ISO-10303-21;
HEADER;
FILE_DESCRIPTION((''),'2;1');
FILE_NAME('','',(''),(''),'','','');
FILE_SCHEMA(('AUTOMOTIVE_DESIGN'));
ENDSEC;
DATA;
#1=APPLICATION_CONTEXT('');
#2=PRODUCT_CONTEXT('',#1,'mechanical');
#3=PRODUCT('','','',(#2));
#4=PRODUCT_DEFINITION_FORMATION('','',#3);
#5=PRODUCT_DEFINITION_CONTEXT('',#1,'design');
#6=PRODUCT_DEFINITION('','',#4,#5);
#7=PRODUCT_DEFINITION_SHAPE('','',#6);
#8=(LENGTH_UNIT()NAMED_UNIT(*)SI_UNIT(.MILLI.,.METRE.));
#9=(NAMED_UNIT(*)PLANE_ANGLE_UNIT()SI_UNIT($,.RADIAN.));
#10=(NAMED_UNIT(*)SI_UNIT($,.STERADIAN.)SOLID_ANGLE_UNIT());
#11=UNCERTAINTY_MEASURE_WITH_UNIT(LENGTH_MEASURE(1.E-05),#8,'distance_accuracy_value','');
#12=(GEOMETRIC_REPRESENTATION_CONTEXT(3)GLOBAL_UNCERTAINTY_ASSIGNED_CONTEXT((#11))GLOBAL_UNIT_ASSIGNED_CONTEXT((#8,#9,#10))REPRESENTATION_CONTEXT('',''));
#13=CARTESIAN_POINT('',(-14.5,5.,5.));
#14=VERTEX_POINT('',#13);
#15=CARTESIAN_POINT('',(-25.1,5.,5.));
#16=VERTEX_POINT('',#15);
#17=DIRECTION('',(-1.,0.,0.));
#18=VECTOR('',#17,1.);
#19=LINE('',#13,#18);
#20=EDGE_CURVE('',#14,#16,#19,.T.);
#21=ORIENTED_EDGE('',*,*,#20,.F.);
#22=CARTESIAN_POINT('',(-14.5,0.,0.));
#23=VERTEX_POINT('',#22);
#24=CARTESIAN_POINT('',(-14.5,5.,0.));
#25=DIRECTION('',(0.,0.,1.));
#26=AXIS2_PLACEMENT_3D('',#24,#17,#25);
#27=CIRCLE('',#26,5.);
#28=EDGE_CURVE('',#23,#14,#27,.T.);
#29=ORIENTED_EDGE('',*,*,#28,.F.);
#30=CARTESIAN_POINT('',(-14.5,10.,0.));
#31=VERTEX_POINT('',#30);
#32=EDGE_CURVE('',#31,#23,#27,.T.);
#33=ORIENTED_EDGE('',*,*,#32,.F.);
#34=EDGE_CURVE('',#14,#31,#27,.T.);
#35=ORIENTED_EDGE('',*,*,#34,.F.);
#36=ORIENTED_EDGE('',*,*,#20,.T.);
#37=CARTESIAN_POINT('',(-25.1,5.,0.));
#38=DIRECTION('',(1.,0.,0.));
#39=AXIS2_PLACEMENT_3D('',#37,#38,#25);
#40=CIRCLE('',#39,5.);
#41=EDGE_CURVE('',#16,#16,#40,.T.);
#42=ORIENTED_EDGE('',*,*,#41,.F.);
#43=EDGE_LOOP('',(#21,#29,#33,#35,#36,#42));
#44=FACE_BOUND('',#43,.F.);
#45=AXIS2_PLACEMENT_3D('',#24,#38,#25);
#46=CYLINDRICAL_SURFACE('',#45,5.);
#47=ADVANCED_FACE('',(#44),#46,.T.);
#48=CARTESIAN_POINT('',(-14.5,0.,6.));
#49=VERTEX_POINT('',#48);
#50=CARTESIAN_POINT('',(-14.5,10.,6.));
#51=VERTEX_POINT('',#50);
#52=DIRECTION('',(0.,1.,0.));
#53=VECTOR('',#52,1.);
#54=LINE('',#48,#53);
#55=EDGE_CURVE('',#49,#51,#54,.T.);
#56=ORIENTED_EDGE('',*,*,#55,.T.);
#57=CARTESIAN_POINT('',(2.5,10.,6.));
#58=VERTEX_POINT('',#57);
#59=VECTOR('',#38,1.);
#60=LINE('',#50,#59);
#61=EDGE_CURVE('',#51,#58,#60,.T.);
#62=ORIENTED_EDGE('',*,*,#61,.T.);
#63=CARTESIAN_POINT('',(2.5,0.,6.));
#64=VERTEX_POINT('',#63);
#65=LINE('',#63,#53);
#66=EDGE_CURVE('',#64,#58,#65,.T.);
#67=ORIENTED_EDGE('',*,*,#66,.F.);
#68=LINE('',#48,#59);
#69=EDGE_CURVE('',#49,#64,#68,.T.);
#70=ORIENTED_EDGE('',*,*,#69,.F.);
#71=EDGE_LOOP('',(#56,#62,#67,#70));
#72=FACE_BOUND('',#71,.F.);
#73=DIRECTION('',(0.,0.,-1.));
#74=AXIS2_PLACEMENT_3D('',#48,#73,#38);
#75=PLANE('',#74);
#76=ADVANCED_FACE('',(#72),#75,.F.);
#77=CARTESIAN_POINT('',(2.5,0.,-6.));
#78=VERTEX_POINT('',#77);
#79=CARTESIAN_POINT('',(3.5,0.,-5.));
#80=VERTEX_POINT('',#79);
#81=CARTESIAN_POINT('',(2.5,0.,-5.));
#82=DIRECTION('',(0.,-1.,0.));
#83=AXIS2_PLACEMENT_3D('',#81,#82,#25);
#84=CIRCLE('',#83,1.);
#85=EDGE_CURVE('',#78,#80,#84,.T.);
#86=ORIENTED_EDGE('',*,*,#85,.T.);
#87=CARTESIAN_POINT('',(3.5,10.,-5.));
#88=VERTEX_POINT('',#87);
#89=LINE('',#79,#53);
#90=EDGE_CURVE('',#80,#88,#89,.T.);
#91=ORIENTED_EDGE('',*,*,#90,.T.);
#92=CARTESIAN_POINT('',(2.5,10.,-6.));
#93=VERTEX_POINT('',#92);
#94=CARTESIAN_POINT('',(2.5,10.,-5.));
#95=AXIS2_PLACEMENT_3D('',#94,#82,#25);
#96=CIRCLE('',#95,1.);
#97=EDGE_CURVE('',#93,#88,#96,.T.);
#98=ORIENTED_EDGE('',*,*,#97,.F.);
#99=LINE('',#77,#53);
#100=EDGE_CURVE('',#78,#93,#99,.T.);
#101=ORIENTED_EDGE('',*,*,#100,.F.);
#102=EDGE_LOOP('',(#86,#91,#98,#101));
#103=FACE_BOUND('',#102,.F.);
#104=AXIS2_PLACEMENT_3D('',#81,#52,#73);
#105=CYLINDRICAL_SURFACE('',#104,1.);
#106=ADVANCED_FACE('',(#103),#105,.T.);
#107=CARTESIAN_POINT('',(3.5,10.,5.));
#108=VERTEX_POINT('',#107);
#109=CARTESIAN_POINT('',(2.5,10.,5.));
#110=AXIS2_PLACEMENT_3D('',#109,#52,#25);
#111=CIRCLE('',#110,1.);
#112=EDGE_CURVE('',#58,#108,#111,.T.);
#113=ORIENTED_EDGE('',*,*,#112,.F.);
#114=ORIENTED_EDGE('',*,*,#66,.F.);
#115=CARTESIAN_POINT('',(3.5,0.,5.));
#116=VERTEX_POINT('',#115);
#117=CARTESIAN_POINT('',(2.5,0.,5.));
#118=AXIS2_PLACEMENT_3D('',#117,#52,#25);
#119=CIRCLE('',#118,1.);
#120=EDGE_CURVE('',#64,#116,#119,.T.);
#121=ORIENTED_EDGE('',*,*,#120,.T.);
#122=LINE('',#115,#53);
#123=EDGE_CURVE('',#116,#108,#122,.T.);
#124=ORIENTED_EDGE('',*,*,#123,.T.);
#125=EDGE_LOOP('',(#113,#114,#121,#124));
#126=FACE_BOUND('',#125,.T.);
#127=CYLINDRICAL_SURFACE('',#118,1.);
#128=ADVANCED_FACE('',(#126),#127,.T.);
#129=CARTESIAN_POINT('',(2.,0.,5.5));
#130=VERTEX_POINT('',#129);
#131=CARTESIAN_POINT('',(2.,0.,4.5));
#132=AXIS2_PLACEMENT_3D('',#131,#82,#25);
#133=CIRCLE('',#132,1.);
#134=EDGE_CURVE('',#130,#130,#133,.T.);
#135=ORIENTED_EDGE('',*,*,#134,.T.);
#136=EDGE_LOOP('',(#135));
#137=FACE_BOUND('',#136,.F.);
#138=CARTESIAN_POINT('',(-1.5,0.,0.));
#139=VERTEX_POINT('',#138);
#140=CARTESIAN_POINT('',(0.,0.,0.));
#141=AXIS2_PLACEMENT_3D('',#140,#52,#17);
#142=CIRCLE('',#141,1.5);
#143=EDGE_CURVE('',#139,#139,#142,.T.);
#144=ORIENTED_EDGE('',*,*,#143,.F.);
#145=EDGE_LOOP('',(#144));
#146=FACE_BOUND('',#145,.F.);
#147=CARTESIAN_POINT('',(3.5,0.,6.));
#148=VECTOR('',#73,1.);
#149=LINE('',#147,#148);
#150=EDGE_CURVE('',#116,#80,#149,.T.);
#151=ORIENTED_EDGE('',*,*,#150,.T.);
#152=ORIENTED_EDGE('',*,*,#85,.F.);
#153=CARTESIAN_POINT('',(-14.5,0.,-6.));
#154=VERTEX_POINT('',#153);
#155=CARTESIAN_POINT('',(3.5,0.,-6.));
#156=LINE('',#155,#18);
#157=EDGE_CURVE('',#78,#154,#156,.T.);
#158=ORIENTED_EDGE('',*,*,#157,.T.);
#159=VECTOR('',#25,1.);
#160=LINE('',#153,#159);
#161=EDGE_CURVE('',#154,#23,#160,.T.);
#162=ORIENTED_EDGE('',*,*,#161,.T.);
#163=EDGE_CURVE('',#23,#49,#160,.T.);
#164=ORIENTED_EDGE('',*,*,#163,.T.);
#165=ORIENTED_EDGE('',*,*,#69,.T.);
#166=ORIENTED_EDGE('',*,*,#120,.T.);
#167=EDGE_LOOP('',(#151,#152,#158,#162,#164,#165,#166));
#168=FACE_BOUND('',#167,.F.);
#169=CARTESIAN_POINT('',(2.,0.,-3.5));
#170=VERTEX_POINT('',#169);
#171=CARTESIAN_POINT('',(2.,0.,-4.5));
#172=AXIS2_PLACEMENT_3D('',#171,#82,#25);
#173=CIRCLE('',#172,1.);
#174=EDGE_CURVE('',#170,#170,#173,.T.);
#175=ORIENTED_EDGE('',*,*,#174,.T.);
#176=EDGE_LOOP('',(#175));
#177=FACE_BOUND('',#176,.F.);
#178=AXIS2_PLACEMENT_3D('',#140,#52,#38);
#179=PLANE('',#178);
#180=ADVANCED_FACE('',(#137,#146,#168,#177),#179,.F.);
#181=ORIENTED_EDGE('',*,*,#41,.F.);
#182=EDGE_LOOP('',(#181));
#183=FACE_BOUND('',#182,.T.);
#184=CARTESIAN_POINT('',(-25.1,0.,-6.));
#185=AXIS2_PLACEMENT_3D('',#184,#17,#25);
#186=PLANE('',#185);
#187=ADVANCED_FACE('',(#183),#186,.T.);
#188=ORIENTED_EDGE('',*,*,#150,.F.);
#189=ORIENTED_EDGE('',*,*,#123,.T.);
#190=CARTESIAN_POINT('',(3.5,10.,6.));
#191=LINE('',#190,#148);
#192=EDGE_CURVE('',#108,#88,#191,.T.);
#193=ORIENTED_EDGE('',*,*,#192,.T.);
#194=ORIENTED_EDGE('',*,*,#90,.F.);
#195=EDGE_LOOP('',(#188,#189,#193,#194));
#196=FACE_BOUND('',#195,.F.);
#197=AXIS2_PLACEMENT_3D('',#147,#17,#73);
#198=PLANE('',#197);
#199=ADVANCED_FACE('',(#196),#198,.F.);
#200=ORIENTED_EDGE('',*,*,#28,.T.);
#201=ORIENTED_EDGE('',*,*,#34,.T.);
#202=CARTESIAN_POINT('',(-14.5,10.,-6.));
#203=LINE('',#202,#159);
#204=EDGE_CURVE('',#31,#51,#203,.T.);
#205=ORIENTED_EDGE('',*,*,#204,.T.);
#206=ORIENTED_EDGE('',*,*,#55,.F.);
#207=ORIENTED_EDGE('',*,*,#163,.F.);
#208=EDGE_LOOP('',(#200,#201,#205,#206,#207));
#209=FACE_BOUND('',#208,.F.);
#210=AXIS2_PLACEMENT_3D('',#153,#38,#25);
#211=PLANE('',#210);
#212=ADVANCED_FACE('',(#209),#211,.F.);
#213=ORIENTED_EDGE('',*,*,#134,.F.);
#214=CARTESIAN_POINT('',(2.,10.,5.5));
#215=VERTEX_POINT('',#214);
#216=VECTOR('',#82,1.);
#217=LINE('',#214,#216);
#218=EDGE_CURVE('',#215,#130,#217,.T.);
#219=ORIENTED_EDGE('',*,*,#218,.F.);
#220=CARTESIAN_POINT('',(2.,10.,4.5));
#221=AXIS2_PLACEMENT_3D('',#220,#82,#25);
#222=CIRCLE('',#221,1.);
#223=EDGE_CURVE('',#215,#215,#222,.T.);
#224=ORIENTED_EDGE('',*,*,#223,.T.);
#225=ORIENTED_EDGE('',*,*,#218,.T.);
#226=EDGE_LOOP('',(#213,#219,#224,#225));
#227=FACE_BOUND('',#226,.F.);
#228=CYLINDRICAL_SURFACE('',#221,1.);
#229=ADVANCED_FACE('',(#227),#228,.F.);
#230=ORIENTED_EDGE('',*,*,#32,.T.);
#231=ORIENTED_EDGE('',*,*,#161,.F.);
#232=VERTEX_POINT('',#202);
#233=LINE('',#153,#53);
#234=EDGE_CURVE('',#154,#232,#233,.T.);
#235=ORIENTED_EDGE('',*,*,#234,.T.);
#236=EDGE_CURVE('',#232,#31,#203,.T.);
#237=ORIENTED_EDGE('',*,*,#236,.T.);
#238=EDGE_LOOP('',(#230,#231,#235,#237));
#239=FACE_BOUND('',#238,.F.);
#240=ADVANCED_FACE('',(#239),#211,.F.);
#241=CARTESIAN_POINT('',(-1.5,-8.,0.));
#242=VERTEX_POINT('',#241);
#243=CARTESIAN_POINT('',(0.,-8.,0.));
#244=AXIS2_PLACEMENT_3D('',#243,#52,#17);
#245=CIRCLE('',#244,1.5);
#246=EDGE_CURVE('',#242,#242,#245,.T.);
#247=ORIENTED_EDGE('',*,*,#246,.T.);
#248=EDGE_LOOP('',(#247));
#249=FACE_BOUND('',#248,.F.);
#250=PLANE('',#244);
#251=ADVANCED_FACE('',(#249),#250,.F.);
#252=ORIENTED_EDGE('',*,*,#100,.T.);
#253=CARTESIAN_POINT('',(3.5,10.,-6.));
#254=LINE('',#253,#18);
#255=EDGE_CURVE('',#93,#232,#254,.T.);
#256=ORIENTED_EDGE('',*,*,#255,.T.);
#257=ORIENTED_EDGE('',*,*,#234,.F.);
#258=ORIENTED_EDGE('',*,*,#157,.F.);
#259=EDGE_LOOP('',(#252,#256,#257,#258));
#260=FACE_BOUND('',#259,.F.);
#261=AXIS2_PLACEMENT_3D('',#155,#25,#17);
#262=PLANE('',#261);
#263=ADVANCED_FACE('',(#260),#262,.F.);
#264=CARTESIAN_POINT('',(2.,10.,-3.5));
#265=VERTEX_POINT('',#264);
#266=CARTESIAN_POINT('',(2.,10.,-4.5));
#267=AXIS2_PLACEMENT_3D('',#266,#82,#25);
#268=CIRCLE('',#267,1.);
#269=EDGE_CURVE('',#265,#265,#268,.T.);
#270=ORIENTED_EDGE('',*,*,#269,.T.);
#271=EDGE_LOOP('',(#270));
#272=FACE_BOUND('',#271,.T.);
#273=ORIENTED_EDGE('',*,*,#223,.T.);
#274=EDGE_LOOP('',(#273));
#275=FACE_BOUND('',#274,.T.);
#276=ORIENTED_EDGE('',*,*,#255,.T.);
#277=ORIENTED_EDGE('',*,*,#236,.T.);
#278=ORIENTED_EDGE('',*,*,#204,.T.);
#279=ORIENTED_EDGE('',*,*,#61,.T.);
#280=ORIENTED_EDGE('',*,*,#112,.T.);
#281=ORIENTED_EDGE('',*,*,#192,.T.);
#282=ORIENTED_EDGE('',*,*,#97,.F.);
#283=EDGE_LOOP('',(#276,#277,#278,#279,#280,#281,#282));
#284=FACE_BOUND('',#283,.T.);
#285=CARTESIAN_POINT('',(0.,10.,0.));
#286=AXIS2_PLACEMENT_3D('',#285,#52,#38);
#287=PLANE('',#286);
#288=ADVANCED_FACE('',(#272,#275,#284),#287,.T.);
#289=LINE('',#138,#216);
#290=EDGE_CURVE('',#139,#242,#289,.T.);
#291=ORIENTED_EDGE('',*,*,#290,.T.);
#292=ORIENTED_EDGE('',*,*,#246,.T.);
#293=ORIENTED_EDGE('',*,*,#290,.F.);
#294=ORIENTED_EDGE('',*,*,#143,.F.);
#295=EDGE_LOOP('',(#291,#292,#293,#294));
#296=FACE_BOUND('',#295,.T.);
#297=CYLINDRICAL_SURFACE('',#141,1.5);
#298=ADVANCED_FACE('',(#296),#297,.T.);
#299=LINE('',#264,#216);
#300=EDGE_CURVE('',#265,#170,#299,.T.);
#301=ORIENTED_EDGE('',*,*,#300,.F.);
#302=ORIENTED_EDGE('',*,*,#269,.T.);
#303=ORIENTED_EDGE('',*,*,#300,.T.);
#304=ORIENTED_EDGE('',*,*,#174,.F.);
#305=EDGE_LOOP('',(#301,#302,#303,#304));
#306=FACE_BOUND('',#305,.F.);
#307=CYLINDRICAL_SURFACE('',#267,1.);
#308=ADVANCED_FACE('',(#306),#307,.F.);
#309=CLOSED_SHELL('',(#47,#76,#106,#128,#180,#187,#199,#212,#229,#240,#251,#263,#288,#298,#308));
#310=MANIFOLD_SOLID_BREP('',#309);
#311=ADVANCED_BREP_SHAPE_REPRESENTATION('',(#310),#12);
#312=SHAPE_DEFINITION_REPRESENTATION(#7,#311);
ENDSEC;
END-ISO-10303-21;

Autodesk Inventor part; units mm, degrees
ref_plane "YZ Plane" through (0, 0, 0) normal (1, 0, 0) x (0, 1, 0)
ref_plane "XZ Plane" through (0, 0, 0) normal (0, 1, 0) x (-1, 0, 0)
ref_plane "XY Plane" through (0, 0, 0) normal (0, 0, 1) x (1, 0, 0)
sketch "Sketch1" plane through (0, 0, 0) normal (0, 1, 0) x (-1, 0, 0)
  circle A0 centre (0, 0) radius 1.5
  dimension "d0" = 3
extrude "Extrusion1" add sketch "Sketch1" against normal blind 8
sketch "Sketch2" plane through (0, 0, 0) normal (0, 1, 0) x (1, 0, 0)
  line L0 (-14.5, -6) -> (3.5, -6)
  line L1 (3.5, -6) -> (3.5, 6)
  line L2 (3.5, 6) -> (-14.5, 6)
  line L3 (-14.5, 6) -> (-14.5, -6)
  line L4 (-14.5, -6) -> (3.5, 6) construction
  line L5 (3.5, -6) -> (-14.5, 6) construction
  point P0 (0, 0)
  point P1 (-5.5, 0)
  point P2 (-5.5, 0)
  dimension "d3" = 18
  dimension "d4" = 12
  dimension "d5" = 3.5
extrude "Extrusion2" add sketch "Sketch2" along normal blind 10
sketch "Sketch3" plane through (-14.5, 0, -6) normal (-1, 0, 0) x (0, 0, 1)
  line L0 (0, 0) -> (12, 0) projected
  line L1 (12, 0) -> (12, 10) projected
  line L2 (0, 10) -> (12, 10) projected
  line L3 (0, 0) -> (0, 10) projected
  circle A0 centre (6, 5) radius 5
  point P0 (6, 0)
  point P1 (0, 5)
  point P2 (6, 10)
  dimension "d8" = 10
extrude "Extrusion3" add sketch "Sketch3" along normal blind 10.6 contours A0
fillet "Fillet1" radius 1 2 edges at (3.5, 5, -6) (3.5, 5, 6)
sketch "Sketch4" plane through (0, 10, 0) normal (0, 1, 0) x (1, 0, 0)
  line L0 (2.5, 6) -> (-14.5, 6) projected
  line L1 (-14.5, -6) -> (2.5, -6) projected
  line L2 (3.5, -5) -> (3.5, 5) projected
  point P0 (0, 0)
  point P1 (2, 4.5)
  point P2 (2, -4.5)
  dimension "d12" = 1.5
  dimension "d13" = 1.5
  dimension "d14" = 1.5
hole "Hole1" at (2, 10, -4.5) at (2, 10, 4.5) direction (0, -1, 0) diameter 2 end through all
equation "\"d13\" = d12"
equation "\"d14\" = d12"
properties part number "MotorRightAngle"
